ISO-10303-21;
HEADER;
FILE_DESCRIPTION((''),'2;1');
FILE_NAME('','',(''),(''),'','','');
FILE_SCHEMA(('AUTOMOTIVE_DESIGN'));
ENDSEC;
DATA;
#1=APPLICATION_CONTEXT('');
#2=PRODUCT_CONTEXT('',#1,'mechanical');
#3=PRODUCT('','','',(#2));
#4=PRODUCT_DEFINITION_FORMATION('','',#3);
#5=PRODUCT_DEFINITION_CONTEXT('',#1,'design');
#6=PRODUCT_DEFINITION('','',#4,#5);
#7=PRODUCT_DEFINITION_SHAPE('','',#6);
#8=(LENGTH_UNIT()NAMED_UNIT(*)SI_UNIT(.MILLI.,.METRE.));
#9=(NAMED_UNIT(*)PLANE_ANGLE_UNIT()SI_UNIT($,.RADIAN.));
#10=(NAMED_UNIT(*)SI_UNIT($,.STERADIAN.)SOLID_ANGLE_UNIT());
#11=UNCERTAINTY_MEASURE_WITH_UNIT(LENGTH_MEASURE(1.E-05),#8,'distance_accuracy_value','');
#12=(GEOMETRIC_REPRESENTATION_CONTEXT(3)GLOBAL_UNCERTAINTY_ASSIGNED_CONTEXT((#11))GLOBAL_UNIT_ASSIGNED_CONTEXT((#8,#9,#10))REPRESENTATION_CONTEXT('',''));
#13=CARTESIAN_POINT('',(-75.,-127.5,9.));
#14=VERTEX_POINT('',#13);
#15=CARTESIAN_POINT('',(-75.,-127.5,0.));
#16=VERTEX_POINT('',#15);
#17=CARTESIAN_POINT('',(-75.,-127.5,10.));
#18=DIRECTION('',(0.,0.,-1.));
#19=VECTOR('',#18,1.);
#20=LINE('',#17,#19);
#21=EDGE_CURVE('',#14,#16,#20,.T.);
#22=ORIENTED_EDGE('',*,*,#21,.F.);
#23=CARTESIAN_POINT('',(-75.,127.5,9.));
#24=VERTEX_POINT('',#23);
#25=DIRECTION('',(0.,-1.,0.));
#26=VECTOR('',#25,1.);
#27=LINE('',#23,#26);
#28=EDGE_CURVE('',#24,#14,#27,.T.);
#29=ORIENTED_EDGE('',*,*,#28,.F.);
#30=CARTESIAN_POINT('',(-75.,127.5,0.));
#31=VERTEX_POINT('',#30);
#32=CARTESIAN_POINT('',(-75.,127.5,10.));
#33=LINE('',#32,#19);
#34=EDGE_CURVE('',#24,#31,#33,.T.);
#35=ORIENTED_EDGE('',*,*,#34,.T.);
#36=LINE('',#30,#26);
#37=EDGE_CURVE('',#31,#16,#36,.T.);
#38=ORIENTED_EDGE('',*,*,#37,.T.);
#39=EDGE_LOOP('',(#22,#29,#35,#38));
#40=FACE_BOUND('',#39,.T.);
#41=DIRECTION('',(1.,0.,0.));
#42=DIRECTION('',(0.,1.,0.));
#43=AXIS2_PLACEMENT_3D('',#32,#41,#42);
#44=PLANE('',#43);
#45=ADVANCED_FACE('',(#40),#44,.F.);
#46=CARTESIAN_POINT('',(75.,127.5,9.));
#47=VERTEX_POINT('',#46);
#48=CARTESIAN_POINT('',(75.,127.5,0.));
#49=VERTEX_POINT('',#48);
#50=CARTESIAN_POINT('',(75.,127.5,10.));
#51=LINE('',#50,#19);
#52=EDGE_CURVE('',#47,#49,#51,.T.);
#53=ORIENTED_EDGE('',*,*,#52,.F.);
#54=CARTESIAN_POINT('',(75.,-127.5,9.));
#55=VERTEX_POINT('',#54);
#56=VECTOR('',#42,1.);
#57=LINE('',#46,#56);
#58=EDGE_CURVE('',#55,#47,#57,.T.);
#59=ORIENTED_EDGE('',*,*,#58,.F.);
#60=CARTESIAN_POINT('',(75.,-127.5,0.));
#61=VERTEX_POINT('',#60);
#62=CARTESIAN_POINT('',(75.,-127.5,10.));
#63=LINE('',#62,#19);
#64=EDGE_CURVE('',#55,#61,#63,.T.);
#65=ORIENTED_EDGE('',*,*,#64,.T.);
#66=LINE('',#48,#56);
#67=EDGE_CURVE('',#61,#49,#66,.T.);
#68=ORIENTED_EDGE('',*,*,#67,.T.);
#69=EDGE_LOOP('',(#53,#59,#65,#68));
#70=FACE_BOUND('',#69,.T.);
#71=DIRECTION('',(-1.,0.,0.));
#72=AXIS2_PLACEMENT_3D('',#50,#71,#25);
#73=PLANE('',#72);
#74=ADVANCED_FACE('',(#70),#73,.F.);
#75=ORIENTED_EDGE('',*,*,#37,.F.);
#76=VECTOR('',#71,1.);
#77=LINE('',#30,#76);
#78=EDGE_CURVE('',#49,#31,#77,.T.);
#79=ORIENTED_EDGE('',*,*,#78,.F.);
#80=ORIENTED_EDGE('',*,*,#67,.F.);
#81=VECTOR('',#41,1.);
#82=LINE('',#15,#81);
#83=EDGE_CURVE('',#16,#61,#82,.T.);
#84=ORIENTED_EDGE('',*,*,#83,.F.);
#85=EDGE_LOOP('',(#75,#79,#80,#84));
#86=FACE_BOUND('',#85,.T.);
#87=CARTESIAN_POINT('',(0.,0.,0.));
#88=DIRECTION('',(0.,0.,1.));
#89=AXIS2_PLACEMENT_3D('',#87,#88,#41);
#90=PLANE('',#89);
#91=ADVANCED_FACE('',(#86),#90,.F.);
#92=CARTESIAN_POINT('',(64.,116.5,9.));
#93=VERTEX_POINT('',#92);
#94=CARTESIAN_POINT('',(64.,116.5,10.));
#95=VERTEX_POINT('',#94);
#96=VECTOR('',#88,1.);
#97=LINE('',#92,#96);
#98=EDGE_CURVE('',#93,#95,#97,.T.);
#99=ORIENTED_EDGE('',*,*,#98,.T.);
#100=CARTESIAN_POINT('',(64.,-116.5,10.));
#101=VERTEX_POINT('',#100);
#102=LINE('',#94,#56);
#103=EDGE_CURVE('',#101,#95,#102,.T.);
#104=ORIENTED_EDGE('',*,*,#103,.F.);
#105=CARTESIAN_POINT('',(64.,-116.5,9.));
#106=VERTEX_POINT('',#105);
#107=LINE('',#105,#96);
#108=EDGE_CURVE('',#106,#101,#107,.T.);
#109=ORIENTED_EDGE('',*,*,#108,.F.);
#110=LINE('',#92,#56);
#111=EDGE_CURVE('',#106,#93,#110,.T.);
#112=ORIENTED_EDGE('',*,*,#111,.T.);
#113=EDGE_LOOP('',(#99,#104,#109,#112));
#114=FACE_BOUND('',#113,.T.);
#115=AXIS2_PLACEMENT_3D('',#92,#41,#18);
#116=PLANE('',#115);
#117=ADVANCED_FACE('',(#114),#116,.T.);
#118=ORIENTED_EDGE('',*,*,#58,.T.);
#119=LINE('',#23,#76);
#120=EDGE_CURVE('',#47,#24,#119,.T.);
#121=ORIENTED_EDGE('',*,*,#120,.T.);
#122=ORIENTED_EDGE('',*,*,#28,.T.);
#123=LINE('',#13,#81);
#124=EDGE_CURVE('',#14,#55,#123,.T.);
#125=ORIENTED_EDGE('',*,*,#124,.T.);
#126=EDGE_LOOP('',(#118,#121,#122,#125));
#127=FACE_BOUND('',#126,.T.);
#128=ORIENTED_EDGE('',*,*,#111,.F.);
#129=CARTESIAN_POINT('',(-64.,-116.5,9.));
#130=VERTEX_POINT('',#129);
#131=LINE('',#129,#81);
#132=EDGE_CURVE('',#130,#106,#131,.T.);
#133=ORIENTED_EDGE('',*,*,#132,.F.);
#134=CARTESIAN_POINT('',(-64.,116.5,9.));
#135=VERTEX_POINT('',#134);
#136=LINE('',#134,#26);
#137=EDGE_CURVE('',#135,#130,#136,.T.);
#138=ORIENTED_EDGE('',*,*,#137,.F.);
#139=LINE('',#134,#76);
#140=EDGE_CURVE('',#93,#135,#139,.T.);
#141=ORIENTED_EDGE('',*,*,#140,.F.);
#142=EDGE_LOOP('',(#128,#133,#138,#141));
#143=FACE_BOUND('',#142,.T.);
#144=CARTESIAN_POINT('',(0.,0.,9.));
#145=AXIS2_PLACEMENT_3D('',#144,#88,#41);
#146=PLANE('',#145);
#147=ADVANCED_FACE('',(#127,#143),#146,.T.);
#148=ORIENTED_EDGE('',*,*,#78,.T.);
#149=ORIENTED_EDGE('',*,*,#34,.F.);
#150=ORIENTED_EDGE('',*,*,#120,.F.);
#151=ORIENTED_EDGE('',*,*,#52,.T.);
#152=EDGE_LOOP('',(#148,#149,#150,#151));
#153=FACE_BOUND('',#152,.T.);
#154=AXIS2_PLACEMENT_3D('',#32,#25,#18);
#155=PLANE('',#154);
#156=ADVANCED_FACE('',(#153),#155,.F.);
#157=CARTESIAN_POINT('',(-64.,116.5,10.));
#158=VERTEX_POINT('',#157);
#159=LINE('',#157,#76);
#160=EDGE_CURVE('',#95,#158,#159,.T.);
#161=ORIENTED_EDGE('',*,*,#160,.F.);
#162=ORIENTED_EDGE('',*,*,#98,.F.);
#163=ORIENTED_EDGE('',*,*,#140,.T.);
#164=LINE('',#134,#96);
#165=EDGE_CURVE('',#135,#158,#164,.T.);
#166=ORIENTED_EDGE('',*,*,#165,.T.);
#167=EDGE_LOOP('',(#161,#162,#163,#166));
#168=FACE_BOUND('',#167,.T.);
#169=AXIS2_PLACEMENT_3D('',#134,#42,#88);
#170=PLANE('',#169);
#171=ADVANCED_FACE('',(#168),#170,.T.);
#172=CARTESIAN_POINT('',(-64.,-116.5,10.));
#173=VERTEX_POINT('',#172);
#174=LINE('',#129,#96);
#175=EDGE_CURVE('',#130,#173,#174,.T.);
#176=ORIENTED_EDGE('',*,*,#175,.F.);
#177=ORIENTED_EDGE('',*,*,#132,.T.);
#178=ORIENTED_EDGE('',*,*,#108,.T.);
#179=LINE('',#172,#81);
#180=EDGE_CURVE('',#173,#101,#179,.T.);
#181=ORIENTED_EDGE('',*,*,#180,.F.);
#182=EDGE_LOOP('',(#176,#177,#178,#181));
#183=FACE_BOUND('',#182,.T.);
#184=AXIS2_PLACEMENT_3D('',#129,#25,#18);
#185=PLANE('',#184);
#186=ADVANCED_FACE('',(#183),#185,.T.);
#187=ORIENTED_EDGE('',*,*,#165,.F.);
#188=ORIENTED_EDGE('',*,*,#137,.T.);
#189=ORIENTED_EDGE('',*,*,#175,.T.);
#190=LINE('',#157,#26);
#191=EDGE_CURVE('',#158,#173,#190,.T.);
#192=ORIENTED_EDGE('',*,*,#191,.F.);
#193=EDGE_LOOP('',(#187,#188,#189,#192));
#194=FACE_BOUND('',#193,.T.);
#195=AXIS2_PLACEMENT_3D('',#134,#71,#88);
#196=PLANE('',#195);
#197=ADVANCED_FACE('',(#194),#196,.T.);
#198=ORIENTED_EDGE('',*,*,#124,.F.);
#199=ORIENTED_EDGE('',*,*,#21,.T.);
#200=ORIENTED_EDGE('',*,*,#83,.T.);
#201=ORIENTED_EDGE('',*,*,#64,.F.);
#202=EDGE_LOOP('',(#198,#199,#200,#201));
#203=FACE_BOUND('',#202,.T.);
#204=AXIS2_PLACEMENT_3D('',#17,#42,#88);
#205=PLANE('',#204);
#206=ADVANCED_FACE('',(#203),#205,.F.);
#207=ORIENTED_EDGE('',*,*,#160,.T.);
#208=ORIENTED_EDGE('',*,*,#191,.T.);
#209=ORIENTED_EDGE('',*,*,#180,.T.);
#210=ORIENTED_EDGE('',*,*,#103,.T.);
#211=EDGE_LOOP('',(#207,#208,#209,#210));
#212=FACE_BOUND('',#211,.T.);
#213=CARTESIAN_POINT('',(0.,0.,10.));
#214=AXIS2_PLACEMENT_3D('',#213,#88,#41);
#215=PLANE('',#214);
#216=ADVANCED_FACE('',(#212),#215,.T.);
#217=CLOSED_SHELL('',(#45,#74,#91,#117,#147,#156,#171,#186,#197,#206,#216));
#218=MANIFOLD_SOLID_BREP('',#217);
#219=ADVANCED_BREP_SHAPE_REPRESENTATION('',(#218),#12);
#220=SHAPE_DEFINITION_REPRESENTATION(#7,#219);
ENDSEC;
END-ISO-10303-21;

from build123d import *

# Parameters (mm, degrees)
ESQUISSE1_W             = 150
ESQUISSE1_H             = 255
BOSS_EXTRU_1_DEPTH      = 10
ESQUISSE2_W             = 150
ESQUISSE2_H             = 255
ESQUISSE2_W_2           = 128
ESQUISSE2_H_2           = 233
ENL_V_MAT_EXTRU_1_DEPTH = 1


with BuildPart() as part:
    # Esquisse1 → Boss.-Extru.1 (new body)
    with BuildSketch(Plane.XY):
        Rectangle(ESQUISSE1_W, ESQUISSE1_H)
    extrude(amount=BOSS_EXTRU_1_DEPTH)

    # Esquisse2 → Enlèv. mat.-Extru.1 (cut)
    with BuildSketch(Plane.XY.offset(10)):
        Rectangle(ESQUISSE2_W, ESQUISSE2_H)
        Rectangle(ESQUISSE2_W_2, ESQUISSE2_H_2, mode=Mode.SUBTRACT)
    extrude(amount=-ENL_V_MAT_EXTRU_1_DEPTH, mode=Mode.SUBTRACT)


solid = part.part
